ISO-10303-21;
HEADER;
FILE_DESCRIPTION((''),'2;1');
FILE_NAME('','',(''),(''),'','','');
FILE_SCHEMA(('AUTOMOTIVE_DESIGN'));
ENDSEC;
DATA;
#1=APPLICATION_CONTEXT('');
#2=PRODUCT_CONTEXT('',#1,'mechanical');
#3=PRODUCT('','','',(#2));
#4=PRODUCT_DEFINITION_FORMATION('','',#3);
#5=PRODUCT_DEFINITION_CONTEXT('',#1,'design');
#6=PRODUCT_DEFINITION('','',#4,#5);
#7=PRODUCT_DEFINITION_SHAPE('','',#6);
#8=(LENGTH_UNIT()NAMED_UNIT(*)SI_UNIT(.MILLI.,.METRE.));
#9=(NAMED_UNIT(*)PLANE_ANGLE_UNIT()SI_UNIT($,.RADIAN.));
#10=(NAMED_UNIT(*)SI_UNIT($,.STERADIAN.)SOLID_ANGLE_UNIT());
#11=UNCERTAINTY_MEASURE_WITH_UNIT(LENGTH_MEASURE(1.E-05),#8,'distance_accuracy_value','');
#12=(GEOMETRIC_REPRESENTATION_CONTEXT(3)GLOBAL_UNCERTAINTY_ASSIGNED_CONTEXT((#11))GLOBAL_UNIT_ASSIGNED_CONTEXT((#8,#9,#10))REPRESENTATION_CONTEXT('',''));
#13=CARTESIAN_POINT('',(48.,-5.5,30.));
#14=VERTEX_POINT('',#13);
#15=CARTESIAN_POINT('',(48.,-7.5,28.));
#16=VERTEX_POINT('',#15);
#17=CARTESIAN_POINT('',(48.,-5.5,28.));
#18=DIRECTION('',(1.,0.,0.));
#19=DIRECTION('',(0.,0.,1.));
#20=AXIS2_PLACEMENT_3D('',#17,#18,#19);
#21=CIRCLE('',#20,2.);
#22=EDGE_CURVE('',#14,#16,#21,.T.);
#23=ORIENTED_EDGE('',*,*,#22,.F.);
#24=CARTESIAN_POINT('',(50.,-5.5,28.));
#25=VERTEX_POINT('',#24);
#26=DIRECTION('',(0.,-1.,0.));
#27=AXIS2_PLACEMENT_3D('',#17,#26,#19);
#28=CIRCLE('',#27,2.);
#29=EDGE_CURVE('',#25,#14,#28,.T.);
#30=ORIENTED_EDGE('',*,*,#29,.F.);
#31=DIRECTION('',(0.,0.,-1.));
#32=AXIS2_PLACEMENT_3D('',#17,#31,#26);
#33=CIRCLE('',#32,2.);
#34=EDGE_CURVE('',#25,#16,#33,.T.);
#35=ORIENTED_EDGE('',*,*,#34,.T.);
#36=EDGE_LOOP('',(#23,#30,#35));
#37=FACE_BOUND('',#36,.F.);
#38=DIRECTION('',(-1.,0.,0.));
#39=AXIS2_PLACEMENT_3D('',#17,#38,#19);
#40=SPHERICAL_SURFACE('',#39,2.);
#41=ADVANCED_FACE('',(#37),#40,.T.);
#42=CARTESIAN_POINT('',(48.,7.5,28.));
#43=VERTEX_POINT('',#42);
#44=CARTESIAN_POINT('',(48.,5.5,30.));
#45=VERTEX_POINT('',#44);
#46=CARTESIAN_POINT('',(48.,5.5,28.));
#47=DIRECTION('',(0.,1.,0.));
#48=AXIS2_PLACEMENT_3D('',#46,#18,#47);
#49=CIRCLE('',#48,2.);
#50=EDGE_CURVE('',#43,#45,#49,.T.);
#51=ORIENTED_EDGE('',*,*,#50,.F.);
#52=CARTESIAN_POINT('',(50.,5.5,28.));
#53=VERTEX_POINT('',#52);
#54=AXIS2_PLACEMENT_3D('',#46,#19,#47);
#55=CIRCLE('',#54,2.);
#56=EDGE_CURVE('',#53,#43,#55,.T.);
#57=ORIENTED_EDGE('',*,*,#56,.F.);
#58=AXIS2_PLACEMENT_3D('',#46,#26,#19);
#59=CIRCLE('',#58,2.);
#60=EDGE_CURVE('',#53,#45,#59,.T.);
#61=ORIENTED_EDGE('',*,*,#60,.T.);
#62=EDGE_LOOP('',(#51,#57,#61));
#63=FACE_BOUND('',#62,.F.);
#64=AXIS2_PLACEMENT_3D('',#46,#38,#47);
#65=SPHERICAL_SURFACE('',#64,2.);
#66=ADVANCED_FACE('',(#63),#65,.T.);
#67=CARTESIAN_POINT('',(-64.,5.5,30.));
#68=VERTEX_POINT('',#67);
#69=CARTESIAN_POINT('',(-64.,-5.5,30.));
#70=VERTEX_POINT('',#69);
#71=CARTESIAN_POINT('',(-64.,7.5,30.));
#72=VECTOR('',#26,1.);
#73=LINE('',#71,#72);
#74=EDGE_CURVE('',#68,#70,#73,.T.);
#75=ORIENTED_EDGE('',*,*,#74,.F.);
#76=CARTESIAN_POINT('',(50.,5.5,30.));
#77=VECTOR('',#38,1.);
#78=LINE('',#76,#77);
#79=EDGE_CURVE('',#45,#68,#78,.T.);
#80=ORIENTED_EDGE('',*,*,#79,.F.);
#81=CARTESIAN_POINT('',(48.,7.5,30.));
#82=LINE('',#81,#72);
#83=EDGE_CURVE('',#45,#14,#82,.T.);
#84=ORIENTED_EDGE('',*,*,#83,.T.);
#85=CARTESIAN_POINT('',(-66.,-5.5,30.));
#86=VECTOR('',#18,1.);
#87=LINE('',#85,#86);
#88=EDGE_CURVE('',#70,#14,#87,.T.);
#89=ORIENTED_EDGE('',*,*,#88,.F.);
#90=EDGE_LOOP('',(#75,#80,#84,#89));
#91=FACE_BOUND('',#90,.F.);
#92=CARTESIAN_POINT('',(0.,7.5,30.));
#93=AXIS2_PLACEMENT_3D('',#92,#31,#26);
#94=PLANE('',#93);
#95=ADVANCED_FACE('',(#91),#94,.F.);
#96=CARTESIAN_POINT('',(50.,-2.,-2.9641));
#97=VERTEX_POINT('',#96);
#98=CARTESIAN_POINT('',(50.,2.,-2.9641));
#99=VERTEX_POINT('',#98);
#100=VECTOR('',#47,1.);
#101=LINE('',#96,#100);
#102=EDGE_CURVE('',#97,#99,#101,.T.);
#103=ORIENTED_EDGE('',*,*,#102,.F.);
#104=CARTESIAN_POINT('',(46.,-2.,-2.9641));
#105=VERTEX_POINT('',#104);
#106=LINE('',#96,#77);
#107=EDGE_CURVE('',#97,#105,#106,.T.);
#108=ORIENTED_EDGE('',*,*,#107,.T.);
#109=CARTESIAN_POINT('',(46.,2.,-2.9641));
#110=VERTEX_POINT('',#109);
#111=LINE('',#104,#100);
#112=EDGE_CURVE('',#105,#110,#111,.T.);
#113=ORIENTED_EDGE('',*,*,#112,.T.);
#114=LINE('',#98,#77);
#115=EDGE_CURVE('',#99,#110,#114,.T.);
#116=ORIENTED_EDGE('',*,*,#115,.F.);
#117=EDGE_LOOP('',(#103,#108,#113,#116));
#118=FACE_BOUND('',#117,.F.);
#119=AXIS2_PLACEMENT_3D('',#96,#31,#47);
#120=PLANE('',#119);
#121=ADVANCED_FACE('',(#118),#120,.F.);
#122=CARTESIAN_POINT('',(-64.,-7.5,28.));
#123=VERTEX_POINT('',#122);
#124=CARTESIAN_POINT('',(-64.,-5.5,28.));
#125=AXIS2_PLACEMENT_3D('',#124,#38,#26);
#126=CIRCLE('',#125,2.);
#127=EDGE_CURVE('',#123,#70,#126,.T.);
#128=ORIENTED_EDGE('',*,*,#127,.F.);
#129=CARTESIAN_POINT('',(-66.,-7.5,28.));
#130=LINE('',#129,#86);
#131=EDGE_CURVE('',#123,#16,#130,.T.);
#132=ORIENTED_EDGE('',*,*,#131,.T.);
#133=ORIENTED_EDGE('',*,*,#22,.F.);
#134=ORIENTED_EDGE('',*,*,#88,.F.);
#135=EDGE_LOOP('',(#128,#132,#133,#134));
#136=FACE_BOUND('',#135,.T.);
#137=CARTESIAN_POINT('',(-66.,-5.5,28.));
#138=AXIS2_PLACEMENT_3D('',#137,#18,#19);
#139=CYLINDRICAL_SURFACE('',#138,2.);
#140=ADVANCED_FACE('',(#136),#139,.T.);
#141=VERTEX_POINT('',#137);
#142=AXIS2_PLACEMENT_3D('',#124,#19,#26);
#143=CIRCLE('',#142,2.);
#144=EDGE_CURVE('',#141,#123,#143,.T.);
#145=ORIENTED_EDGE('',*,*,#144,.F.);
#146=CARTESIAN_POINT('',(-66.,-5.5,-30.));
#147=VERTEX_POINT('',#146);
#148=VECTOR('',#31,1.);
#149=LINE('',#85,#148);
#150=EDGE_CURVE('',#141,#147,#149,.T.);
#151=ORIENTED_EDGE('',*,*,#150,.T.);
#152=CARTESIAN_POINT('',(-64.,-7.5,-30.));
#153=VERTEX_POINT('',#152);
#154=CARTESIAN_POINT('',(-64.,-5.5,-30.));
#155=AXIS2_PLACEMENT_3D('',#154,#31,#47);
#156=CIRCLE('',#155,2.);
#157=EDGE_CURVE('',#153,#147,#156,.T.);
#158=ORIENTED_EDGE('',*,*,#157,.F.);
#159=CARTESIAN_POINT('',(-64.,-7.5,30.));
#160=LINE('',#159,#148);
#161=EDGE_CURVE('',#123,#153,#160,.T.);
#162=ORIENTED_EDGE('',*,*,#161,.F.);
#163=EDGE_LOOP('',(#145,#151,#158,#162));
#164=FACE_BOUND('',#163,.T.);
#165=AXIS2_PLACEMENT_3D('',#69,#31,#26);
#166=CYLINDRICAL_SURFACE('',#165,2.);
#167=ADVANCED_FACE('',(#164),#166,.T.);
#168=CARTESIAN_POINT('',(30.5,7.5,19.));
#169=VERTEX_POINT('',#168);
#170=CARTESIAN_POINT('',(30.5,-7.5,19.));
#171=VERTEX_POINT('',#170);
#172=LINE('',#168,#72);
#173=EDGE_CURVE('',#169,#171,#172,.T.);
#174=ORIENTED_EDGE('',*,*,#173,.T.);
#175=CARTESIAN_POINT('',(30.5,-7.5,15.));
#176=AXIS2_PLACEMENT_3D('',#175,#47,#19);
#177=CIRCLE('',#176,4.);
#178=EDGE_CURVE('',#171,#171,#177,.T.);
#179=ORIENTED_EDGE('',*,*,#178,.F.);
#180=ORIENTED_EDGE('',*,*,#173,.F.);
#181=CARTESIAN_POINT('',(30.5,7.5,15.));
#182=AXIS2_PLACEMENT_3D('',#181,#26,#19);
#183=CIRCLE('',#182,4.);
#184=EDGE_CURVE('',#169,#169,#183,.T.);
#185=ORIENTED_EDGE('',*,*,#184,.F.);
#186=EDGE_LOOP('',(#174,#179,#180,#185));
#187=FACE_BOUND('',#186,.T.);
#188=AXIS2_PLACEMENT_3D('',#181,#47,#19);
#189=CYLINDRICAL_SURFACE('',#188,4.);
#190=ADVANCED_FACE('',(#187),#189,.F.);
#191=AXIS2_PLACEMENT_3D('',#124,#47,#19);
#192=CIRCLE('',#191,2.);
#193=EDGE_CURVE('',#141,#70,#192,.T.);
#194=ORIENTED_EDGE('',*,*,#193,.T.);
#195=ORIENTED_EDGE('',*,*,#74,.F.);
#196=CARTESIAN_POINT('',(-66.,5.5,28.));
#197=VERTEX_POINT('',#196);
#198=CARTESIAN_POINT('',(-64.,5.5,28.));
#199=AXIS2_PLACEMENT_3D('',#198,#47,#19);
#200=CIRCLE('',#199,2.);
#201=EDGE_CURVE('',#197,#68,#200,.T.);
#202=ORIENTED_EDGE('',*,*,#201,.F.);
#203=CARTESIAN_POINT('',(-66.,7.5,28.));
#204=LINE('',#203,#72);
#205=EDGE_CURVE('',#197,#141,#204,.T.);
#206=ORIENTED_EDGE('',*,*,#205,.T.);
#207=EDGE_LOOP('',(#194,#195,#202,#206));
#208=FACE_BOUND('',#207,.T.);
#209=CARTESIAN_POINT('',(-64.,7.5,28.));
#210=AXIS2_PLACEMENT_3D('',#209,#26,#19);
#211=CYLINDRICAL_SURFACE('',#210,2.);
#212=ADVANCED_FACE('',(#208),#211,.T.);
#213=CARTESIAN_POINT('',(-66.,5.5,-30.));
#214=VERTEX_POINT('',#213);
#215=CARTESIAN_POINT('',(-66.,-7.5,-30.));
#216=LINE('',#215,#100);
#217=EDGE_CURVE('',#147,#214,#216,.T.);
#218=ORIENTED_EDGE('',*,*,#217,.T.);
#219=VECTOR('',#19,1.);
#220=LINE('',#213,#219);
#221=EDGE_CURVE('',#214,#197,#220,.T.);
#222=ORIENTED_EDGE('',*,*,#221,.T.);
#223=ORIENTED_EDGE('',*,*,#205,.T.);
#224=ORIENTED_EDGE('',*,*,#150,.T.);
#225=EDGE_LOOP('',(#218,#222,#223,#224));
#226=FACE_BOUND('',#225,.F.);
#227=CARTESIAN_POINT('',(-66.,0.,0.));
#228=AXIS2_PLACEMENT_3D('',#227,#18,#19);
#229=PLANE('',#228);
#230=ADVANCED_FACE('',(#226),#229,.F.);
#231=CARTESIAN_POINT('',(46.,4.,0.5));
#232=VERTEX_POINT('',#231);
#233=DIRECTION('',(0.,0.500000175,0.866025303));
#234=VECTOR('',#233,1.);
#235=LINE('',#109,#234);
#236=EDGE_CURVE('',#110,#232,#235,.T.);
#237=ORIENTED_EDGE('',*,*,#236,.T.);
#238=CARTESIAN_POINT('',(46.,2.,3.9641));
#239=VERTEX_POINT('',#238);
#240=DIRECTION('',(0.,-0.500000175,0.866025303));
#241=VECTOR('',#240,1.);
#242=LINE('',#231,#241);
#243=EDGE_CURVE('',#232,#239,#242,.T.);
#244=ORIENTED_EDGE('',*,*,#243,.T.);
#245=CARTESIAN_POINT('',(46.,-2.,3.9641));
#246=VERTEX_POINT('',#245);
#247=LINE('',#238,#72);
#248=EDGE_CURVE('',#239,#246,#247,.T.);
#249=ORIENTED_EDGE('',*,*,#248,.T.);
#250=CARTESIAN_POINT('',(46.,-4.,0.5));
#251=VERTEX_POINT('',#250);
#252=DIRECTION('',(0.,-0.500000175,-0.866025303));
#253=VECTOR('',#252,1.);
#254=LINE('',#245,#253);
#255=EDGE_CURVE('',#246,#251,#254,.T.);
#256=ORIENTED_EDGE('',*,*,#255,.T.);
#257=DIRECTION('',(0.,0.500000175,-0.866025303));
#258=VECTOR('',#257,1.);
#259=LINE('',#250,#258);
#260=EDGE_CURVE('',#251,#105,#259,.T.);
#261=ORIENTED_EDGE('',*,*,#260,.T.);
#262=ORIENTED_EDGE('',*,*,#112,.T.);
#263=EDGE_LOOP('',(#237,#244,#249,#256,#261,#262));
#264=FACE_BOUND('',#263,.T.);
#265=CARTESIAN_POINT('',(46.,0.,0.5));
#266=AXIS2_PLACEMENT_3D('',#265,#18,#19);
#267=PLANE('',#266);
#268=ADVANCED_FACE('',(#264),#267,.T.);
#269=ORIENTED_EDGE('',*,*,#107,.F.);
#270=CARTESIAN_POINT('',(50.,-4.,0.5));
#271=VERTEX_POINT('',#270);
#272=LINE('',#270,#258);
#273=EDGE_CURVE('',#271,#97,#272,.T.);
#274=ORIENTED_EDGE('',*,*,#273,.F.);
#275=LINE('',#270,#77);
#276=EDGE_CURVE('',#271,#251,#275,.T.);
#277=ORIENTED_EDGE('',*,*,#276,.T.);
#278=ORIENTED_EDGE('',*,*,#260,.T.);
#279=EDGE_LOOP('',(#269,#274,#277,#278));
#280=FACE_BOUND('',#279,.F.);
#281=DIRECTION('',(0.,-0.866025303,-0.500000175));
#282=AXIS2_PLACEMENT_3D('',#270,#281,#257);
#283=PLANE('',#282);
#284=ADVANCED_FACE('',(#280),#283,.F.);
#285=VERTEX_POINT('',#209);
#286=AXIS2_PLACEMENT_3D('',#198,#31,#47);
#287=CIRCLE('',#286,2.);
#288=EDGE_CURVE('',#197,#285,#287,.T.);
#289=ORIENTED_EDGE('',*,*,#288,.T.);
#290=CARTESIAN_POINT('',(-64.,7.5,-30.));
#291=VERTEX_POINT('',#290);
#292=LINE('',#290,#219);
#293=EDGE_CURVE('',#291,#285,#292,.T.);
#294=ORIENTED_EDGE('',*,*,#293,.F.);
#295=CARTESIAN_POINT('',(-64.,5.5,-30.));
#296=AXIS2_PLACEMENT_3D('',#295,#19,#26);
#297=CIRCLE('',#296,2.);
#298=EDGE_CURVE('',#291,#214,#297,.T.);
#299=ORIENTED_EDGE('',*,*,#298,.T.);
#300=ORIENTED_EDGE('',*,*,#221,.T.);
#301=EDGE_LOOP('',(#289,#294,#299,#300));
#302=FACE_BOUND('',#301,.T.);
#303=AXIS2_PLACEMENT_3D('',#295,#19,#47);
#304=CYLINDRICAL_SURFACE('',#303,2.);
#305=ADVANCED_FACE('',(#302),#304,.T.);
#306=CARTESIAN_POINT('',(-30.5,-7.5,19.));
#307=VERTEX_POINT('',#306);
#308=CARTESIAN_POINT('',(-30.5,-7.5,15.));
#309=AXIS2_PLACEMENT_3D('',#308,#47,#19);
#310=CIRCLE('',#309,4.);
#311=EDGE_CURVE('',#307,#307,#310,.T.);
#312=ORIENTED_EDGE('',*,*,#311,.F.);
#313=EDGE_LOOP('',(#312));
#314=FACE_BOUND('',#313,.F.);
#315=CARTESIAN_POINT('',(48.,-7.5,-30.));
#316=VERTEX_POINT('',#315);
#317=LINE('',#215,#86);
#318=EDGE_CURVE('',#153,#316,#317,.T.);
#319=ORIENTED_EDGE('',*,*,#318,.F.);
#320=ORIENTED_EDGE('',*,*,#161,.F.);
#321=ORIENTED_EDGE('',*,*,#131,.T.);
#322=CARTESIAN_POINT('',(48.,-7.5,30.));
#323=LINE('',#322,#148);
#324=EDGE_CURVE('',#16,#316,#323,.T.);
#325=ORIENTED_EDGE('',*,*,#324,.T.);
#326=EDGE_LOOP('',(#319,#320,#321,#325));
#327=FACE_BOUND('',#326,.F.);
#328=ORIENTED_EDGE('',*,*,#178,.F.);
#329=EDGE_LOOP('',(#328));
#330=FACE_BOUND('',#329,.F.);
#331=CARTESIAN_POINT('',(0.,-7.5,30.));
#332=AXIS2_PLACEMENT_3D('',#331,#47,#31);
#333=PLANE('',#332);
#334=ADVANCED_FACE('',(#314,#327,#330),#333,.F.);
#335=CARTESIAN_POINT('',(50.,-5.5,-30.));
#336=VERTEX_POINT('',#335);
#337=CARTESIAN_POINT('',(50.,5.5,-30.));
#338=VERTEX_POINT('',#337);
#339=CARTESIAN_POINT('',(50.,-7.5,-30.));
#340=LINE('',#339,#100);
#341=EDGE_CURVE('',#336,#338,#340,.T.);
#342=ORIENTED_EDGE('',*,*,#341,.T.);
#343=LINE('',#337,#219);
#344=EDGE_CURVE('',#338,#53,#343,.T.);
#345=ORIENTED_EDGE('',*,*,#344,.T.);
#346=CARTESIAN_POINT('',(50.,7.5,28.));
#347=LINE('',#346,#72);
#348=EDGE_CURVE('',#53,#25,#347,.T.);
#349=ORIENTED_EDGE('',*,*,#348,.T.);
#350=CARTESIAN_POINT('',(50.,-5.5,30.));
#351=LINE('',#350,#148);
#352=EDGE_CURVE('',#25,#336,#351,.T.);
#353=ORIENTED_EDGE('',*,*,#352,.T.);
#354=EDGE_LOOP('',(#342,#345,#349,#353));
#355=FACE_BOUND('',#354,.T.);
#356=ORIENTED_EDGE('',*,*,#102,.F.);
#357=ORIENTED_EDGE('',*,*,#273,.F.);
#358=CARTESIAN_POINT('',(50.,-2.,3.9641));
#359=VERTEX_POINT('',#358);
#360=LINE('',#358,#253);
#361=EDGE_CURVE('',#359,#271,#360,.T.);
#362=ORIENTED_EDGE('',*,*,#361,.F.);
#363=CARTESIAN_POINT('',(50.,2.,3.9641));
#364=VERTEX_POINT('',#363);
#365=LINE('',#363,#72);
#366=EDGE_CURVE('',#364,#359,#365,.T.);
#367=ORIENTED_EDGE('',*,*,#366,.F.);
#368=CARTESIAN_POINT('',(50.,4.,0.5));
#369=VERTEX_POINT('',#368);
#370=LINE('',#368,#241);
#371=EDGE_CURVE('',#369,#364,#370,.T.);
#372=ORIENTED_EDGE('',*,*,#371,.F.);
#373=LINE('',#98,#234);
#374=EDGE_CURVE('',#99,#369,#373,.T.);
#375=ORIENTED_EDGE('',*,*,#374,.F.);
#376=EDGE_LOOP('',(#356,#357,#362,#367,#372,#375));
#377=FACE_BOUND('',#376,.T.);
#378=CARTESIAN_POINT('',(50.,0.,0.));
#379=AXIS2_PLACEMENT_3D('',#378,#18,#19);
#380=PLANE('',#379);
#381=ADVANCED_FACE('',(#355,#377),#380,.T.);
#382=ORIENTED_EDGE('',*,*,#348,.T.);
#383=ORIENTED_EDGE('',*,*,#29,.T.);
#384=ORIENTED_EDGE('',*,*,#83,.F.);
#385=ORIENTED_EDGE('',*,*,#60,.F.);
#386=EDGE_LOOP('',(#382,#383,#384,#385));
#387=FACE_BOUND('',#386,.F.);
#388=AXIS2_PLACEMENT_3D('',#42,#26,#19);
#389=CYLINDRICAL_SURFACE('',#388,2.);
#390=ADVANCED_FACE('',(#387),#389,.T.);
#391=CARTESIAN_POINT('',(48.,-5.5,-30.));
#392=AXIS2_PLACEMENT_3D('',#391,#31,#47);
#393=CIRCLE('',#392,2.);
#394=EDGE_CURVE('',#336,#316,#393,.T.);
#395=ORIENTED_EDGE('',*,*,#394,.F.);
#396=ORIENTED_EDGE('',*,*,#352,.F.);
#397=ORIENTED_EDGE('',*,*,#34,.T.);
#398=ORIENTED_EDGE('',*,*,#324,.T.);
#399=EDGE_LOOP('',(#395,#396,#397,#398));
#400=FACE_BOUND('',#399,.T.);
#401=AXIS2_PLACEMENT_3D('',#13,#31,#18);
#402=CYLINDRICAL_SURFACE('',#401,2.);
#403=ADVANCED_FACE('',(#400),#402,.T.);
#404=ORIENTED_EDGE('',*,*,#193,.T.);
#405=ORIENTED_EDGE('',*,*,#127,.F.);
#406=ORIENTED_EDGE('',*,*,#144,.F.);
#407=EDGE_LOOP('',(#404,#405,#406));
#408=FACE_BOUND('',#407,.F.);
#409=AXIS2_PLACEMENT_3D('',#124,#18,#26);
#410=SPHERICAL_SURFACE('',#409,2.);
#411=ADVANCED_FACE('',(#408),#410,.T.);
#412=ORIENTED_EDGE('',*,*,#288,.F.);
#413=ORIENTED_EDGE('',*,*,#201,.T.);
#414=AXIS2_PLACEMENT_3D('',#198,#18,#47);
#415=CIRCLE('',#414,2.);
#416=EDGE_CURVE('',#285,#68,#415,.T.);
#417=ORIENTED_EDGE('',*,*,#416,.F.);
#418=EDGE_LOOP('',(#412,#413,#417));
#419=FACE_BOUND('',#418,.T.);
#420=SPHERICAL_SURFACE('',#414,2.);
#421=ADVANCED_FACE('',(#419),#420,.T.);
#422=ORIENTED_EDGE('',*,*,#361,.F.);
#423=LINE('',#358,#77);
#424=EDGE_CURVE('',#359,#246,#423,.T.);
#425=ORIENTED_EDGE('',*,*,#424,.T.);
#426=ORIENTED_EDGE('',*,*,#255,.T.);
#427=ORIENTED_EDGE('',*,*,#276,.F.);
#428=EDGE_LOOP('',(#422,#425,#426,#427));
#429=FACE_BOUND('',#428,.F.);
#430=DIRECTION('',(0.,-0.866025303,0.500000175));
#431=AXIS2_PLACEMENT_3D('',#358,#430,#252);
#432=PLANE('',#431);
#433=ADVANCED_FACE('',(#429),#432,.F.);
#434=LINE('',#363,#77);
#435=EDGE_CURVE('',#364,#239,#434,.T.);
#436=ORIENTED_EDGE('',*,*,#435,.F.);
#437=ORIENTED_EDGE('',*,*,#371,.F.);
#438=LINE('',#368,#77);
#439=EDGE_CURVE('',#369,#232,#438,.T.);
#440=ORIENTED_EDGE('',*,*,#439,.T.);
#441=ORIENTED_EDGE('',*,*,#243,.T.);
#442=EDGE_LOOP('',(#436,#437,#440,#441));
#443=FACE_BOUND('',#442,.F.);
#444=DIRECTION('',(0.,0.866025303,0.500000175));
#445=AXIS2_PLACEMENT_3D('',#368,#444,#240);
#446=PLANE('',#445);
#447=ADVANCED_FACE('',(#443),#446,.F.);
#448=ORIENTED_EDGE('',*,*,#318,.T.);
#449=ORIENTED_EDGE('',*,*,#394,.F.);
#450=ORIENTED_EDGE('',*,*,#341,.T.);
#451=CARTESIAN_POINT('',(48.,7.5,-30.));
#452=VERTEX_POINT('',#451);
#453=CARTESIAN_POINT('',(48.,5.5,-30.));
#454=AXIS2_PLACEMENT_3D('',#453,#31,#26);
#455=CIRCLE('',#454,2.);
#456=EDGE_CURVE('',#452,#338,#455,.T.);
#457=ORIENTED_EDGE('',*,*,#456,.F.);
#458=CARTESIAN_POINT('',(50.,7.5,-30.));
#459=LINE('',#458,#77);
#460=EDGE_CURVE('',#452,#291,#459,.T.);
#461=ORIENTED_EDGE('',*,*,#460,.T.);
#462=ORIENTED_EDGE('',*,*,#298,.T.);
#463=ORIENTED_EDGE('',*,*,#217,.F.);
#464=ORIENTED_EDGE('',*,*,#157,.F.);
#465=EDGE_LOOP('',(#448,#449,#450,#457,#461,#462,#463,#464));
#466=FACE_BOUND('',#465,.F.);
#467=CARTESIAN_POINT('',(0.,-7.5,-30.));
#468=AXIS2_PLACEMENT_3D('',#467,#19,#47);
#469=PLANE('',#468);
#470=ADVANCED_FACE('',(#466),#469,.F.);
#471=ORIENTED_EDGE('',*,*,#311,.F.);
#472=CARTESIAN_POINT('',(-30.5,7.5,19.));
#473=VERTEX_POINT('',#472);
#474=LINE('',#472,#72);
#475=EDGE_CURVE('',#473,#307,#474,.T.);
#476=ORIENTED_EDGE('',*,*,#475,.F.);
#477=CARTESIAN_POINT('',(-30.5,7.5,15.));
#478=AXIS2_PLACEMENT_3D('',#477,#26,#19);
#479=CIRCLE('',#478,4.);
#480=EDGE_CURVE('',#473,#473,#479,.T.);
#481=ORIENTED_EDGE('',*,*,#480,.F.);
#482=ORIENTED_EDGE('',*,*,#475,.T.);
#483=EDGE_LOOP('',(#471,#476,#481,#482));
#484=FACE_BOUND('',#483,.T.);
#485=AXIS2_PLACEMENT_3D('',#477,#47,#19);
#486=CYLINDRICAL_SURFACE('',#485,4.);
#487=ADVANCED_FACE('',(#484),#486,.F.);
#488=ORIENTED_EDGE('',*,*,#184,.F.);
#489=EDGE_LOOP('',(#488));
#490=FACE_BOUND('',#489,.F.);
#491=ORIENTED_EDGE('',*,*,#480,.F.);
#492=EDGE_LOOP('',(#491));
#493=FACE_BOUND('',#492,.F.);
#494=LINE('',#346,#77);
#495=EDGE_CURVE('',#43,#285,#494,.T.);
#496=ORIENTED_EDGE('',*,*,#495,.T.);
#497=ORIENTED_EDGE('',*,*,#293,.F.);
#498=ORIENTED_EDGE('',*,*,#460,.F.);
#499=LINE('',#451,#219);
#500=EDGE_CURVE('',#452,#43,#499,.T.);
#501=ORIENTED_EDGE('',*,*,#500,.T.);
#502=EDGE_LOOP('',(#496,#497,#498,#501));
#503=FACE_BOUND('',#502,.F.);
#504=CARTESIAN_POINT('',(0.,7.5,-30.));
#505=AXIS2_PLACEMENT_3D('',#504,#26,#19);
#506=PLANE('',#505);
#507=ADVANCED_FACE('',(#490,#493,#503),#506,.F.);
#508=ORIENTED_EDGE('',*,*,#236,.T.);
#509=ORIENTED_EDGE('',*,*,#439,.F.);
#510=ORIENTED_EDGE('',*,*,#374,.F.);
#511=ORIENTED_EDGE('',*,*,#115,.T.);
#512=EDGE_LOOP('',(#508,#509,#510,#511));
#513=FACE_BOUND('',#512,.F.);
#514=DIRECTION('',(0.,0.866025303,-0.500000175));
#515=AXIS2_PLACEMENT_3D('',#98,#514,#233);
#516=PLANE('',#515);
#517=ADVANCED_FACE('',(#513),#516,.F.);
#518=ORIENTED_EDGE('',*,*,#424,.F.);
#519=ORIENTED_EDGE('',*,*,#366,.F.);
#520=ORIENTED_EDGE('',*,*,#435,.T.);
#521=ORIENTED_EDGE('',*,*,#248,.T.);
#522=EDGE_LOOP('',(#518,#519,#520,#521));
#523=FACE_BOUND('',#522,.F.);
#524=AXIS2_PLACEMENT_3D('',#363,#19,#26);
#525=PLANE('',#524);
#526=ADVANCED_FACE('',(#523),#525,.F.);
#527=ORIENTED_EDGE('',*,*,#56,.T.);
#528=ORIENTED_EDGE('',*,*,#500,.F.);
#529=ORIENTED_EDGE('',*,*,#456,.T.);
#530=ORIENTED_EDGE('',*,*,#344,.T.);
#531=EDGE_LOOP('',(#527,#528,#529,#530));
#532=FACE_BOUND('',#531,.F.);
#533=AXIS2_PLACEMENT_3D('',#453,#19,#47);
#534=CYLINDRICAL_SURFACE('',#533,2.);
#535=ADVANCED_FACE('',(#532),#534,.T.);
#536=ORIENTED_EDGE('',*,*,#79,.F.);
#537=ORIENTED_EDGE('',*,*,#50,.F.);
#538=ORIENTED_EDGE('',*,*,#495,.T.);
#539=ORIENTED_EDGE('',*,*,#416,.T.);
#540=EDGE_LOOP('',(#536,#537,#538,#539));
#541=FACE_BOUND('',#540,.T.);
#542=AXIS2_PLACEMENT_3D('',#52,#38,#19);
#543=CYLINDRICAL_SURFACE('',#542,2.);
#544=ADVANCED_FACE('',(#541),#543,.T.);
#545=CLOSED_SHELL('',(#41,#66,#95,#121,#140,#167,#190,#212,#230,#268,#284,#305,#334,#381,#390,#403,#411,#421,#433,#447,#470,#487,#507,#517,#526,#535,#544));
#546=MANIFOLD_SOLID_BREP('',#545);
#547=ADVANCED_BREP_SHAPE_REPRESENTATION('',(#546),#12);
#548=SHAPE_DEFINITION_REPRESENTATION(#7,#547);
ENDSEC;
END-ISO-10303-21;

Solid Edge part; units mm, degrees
sketch "Sketch1" plane through (0, 0, 0) normal (1, 0, 0) x (0, 1, 0)
  line L0 (7.5, 30) -> (-7.5, 30)
  line L1 (-7.5, 30) -> (-7.5, -30)
  line L2 (-7.5, -30) -> (7.5, -30)
  line L3 (7.5, -30) -> (7.5, 30)
extrude "largo" add sketch "Sketch1" along normal mid plane 100
hole "Hole1" at (30.5, 7.5, 15) direction (0, -1, 0) diameter 8 end up to next
hole "Hole2" at (-30.5, 7.5, 15) direction (0, -1, 0) diameter 8 end up to next
sketch "Sketch2" plane through (50, -1, -1) normal (1, 0, 0) x (0, 1, 0)
  line L0 (3, 4.9641) -> (-1, 4.9641)
  line L1 (-1, 4.9641) -> (-3, 1.5)
  line L2 (-3, 1.5) -> (-1, -1.9641)
  line L3 (-1, -1.9641) -> (3, -1.9641)
  line L4 (3, -1.9641) -> (5, 1.5)
  line L5 (5, 1.5) -> (3, 4.9641)
extrude "Cutout1" cut sketch "Sketch2" against normal blind 4
sketch "Sketch3" plane through (-50, 0, 0) normal (-1, 0, 0) x (0, -1, 0)
  line L0 (-7.5, -30) -> (-7.5, 30)
  line L1 (-7.5, 30) -> (7.5, 30)
  line L2 (7.5, 30) -> (7.5, -30)
  line L3 (7.5, -30) -> (-7.5, -30)
extrude "ProtrusiónExtruida_5" add sketch "Sketch3" along normal blind 16
fillet "Round1" radius 2 8 edges at (-8, 7.5, 30) (-8, -7.5, 30) (50, 7.5, 0) (50, 0, 30) (-66, -7.5, 0) (-66, 7.5, 0) (-66, 0, 30) (50, -7.5, 0)
